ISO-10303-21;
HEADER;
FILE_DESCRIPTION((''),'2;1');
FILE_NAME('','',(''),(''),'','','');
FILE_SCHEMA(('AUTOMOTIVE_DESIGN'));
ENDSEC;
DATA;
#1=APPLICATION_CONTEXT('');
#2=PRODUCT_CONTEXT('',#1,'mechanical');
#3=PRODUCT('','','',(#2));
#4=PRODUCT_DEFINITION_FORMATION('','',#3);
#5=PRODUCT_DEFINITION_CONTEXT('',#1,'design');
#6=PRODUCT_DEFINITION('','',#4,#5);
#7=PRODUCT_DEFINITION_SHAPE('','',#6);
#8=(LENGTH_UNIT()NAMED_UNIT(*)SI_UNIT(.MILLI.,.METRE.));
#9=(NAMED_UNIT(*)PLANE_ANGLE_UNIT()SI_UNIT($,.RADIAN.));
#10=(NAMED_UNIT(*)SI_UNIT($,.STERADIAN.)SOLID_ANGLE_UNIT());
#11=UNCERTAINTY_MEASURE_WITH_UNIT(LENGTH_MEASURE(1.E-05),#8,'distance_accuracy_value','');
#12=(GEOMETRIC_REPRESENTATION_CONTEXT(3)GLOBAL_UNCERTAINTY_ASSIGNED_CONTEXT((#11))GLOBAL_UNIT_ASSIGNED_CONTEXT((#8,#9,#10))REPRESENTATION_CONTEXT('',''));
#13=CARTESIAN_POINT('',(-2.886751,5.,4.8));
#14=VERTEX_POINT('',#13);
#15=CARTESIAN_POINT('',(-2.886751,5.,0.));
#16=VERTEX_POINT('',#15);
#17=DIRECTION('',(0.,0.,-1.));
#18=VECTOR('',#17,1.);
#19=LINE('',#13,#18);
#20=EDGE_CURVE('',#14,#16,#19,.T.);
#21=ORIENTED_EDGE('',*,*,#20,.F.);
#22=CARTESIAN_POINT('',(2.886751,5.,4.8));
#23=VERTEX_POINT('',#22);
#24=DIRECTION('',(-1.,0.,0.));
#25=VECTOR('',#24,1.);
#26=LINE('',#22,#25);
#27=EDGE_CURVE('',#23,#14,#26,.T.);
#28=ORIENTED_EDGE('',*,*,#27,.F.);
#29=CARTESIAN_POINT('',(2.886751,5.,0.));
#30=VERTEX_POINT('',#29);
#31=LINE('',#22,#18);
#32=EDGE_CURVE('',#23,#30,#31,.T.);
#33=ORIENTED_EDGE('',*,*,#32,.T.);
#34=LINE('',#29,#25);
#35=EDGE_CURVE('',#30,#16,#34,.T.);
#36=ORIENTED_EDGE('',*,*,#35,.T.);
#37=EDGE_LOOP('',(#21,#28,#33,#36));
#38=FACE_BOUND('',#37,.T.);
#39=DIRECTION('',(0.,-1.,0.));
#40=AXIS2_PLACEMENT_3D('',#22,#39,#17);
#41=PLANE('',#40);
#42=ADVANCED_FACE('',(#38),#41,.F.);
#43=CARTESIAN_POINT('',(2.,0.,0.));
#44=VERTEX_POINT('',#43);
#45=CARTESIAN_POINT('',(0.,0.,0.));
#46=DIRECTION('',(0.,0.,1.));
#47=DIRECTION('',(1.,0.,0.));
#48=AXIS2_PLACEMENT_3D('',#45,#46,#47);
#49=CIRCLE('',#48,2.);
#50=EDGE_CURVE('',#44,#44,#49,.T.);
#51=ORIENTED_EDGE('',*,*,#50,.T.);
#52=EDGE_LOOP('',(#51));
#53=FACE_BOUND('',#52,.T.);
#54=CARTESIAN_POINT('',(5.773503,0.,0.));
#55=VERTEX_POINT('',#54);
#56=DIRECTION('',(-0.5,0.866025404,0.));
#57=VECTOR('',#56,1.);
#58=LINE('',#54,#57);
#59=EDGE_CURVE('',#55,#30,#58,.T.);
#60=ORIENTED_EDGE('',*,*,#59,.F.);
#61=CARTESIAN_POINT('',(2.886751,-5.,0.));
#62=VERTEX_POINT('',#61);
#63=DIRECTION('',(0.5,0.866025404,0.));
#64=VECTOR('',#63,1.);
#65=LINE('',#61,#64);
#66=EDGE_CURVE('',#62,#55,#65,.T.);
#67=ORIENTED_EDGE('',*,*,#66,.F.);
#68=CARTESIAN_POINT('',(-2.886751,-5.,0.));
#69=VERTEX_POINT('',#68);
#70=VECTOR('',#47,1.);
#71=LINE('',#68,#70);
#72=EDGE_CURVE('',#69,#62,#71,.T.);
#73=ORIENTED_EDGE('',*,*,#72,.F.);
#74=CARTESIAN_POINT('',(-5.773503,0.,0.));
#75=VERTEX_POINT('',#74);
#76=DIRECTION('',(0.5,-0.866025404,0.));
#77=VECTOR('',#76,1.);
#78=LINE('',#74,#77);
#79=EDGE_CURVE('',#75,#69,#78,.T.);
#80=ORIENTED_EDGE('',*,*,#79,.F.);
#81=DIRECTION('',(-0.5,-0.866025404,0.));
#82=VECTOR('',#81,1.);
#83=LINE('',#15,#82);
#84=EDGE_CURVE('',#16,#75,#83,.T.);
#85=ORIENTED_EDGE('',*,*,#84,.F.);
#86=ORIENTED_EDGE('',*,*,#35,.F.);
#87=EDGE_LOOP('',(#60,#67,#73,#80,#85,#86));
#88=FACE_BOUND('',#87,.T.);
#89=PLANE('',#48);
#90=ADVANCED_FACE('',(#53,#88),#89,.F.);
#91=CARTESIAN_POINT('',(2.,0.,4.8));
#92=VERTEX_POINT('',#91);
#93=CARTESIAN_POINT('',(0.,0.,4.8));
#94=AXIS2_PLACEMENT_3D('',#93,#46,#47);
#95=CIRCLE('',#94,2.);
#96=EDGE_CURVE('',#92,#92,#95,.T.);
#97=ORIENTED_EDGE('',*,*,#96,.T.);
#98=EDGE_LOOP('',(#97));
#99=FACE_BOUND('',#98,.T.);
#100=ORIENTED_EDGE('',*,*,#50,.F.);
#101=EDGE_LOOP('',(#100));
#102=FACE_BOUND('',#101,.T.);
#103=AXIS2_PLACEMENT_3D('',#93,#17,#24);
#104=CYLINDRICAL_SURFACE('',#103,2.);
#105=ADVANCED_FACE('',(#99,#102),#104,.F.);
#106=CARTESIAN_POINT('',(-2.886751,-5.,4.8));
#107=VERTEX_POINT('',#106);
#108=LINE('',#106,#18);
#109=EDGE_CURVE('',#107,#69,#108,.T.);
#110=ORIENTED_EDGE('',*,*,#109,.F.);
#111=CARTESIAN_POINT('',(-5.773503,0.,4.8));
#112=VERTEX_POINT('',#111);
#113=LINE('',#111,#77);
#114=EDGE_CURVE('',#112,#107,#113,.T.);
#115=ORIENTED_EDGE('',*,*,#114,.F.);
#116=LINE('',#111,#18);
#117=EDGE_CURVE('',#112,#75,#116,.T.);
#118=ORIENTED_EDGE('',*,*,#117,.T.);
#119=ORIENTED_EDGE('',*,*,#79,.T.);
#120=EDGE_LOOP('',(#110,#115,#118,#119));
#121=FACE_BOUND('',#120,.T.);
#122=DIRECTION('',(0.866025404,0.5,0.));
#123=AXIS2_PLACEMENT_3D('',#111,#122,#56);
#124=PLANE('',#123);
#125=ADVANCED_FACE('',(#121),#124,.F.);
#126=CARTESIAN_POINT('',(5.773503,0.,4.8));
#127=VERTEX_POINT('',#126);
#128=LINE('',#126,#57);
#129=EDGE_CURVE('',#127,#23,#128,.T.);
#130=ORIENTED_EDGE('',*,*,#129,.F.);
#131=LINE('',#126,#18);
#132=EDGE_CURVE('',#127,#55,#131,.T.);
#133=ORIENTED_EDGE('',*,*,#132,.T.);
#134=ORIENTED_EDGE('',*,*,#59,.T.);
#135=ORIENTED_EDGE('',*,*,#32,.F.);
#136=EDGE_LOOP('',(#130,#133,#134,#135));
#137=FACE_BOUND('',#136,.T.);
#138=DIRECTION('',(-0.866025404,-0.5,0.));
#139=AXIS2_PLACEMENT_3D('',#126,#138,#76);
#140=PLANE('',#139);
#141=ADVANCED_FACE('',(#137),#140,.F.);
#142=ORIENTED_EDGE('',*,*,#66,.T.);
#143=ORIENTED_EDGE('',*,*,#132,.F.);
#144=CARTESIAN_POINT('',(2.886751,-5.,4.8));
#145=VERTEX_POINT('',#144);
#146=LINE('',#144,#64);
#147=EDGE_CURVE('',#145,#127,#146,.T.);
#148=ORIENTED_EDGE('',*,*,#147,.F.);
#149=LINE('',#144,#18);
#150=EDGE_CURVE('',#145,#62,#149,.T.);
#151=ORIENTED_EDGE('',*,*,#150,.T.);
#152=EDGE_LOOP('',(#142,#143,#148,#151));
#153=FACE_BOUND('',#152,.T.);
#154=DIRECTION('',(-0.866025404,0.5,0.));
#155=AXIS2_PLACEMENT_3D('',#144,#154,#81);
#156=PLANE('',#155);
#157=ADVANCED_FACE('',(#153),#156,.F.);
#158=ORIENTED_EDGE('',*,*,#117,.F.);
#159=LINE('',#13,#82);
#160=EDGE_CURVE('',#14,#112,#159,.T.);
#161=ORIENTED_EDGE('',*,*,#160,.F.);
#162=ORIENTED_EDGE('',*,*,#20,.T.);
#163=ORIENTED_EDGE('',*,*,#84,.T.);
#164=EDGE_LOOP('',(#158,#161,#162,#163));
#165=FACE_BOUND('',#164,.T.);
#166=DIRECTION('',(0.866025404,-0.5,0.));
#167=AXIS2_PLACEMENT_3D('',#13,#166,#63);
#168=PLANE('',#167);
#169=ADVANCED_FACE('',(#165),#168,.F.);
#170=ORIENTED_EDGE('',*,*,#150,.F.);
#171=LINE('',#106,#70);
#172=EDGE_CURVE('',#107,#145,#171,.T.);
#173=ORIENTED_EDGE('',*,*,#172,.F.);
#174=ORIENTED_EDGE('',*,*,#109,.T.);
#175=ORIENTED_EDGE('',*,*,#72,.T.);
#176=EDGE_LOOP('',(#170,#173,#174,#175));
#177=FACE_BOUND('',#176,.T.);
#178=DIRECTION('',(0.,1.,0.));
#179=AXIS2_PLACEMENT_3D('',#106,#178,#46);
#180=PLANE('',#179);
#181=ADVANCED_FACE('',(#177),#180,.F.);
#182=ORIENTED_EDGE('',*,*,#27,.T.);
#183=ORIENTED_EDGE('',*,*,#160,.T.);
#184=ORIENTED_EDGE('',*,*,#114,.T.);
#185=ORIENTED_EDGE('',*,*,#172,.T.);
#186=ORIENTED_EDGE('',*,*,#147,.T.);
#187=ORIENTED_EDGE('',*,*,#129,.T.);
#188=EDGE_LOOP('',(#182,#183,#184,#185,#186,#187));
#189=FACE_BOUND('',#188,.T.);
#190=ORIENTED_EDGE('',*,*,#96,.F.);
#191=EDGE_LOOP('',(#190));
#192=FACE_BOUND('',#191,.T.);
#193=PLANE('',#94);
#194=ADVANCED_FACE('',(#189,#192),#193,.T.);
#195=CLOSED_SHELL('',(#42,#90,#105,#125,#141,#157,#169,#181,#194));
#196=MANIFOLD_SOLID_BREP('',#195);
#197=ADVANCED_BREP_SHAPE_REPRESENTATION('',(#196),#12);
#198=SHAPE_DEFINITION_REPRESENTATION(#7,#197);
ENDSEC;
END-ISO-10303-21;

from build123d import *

# Parameters (mm, degrees)
SKETCH_1_R      = 2
EXTRUDE_1_DEPTH = 4.8


with BuildPart() as part:
    # 草图1 → 凸台-拉伸1 (new body)
    with BuildSketch(Plane.XY):
        Polygon((2.886751346, -5), (5.773502692, 0), (2.886751346, 5), (-2.886751346, 5), (-5.773502692, 0), (-2.886751346, -5), align=None)
        Circle(SKETCH_1_R, mode=Mode.SUBTRACT)
    extrude(amount=EXTRUDE_1_DEPTH)


solid = part.part
